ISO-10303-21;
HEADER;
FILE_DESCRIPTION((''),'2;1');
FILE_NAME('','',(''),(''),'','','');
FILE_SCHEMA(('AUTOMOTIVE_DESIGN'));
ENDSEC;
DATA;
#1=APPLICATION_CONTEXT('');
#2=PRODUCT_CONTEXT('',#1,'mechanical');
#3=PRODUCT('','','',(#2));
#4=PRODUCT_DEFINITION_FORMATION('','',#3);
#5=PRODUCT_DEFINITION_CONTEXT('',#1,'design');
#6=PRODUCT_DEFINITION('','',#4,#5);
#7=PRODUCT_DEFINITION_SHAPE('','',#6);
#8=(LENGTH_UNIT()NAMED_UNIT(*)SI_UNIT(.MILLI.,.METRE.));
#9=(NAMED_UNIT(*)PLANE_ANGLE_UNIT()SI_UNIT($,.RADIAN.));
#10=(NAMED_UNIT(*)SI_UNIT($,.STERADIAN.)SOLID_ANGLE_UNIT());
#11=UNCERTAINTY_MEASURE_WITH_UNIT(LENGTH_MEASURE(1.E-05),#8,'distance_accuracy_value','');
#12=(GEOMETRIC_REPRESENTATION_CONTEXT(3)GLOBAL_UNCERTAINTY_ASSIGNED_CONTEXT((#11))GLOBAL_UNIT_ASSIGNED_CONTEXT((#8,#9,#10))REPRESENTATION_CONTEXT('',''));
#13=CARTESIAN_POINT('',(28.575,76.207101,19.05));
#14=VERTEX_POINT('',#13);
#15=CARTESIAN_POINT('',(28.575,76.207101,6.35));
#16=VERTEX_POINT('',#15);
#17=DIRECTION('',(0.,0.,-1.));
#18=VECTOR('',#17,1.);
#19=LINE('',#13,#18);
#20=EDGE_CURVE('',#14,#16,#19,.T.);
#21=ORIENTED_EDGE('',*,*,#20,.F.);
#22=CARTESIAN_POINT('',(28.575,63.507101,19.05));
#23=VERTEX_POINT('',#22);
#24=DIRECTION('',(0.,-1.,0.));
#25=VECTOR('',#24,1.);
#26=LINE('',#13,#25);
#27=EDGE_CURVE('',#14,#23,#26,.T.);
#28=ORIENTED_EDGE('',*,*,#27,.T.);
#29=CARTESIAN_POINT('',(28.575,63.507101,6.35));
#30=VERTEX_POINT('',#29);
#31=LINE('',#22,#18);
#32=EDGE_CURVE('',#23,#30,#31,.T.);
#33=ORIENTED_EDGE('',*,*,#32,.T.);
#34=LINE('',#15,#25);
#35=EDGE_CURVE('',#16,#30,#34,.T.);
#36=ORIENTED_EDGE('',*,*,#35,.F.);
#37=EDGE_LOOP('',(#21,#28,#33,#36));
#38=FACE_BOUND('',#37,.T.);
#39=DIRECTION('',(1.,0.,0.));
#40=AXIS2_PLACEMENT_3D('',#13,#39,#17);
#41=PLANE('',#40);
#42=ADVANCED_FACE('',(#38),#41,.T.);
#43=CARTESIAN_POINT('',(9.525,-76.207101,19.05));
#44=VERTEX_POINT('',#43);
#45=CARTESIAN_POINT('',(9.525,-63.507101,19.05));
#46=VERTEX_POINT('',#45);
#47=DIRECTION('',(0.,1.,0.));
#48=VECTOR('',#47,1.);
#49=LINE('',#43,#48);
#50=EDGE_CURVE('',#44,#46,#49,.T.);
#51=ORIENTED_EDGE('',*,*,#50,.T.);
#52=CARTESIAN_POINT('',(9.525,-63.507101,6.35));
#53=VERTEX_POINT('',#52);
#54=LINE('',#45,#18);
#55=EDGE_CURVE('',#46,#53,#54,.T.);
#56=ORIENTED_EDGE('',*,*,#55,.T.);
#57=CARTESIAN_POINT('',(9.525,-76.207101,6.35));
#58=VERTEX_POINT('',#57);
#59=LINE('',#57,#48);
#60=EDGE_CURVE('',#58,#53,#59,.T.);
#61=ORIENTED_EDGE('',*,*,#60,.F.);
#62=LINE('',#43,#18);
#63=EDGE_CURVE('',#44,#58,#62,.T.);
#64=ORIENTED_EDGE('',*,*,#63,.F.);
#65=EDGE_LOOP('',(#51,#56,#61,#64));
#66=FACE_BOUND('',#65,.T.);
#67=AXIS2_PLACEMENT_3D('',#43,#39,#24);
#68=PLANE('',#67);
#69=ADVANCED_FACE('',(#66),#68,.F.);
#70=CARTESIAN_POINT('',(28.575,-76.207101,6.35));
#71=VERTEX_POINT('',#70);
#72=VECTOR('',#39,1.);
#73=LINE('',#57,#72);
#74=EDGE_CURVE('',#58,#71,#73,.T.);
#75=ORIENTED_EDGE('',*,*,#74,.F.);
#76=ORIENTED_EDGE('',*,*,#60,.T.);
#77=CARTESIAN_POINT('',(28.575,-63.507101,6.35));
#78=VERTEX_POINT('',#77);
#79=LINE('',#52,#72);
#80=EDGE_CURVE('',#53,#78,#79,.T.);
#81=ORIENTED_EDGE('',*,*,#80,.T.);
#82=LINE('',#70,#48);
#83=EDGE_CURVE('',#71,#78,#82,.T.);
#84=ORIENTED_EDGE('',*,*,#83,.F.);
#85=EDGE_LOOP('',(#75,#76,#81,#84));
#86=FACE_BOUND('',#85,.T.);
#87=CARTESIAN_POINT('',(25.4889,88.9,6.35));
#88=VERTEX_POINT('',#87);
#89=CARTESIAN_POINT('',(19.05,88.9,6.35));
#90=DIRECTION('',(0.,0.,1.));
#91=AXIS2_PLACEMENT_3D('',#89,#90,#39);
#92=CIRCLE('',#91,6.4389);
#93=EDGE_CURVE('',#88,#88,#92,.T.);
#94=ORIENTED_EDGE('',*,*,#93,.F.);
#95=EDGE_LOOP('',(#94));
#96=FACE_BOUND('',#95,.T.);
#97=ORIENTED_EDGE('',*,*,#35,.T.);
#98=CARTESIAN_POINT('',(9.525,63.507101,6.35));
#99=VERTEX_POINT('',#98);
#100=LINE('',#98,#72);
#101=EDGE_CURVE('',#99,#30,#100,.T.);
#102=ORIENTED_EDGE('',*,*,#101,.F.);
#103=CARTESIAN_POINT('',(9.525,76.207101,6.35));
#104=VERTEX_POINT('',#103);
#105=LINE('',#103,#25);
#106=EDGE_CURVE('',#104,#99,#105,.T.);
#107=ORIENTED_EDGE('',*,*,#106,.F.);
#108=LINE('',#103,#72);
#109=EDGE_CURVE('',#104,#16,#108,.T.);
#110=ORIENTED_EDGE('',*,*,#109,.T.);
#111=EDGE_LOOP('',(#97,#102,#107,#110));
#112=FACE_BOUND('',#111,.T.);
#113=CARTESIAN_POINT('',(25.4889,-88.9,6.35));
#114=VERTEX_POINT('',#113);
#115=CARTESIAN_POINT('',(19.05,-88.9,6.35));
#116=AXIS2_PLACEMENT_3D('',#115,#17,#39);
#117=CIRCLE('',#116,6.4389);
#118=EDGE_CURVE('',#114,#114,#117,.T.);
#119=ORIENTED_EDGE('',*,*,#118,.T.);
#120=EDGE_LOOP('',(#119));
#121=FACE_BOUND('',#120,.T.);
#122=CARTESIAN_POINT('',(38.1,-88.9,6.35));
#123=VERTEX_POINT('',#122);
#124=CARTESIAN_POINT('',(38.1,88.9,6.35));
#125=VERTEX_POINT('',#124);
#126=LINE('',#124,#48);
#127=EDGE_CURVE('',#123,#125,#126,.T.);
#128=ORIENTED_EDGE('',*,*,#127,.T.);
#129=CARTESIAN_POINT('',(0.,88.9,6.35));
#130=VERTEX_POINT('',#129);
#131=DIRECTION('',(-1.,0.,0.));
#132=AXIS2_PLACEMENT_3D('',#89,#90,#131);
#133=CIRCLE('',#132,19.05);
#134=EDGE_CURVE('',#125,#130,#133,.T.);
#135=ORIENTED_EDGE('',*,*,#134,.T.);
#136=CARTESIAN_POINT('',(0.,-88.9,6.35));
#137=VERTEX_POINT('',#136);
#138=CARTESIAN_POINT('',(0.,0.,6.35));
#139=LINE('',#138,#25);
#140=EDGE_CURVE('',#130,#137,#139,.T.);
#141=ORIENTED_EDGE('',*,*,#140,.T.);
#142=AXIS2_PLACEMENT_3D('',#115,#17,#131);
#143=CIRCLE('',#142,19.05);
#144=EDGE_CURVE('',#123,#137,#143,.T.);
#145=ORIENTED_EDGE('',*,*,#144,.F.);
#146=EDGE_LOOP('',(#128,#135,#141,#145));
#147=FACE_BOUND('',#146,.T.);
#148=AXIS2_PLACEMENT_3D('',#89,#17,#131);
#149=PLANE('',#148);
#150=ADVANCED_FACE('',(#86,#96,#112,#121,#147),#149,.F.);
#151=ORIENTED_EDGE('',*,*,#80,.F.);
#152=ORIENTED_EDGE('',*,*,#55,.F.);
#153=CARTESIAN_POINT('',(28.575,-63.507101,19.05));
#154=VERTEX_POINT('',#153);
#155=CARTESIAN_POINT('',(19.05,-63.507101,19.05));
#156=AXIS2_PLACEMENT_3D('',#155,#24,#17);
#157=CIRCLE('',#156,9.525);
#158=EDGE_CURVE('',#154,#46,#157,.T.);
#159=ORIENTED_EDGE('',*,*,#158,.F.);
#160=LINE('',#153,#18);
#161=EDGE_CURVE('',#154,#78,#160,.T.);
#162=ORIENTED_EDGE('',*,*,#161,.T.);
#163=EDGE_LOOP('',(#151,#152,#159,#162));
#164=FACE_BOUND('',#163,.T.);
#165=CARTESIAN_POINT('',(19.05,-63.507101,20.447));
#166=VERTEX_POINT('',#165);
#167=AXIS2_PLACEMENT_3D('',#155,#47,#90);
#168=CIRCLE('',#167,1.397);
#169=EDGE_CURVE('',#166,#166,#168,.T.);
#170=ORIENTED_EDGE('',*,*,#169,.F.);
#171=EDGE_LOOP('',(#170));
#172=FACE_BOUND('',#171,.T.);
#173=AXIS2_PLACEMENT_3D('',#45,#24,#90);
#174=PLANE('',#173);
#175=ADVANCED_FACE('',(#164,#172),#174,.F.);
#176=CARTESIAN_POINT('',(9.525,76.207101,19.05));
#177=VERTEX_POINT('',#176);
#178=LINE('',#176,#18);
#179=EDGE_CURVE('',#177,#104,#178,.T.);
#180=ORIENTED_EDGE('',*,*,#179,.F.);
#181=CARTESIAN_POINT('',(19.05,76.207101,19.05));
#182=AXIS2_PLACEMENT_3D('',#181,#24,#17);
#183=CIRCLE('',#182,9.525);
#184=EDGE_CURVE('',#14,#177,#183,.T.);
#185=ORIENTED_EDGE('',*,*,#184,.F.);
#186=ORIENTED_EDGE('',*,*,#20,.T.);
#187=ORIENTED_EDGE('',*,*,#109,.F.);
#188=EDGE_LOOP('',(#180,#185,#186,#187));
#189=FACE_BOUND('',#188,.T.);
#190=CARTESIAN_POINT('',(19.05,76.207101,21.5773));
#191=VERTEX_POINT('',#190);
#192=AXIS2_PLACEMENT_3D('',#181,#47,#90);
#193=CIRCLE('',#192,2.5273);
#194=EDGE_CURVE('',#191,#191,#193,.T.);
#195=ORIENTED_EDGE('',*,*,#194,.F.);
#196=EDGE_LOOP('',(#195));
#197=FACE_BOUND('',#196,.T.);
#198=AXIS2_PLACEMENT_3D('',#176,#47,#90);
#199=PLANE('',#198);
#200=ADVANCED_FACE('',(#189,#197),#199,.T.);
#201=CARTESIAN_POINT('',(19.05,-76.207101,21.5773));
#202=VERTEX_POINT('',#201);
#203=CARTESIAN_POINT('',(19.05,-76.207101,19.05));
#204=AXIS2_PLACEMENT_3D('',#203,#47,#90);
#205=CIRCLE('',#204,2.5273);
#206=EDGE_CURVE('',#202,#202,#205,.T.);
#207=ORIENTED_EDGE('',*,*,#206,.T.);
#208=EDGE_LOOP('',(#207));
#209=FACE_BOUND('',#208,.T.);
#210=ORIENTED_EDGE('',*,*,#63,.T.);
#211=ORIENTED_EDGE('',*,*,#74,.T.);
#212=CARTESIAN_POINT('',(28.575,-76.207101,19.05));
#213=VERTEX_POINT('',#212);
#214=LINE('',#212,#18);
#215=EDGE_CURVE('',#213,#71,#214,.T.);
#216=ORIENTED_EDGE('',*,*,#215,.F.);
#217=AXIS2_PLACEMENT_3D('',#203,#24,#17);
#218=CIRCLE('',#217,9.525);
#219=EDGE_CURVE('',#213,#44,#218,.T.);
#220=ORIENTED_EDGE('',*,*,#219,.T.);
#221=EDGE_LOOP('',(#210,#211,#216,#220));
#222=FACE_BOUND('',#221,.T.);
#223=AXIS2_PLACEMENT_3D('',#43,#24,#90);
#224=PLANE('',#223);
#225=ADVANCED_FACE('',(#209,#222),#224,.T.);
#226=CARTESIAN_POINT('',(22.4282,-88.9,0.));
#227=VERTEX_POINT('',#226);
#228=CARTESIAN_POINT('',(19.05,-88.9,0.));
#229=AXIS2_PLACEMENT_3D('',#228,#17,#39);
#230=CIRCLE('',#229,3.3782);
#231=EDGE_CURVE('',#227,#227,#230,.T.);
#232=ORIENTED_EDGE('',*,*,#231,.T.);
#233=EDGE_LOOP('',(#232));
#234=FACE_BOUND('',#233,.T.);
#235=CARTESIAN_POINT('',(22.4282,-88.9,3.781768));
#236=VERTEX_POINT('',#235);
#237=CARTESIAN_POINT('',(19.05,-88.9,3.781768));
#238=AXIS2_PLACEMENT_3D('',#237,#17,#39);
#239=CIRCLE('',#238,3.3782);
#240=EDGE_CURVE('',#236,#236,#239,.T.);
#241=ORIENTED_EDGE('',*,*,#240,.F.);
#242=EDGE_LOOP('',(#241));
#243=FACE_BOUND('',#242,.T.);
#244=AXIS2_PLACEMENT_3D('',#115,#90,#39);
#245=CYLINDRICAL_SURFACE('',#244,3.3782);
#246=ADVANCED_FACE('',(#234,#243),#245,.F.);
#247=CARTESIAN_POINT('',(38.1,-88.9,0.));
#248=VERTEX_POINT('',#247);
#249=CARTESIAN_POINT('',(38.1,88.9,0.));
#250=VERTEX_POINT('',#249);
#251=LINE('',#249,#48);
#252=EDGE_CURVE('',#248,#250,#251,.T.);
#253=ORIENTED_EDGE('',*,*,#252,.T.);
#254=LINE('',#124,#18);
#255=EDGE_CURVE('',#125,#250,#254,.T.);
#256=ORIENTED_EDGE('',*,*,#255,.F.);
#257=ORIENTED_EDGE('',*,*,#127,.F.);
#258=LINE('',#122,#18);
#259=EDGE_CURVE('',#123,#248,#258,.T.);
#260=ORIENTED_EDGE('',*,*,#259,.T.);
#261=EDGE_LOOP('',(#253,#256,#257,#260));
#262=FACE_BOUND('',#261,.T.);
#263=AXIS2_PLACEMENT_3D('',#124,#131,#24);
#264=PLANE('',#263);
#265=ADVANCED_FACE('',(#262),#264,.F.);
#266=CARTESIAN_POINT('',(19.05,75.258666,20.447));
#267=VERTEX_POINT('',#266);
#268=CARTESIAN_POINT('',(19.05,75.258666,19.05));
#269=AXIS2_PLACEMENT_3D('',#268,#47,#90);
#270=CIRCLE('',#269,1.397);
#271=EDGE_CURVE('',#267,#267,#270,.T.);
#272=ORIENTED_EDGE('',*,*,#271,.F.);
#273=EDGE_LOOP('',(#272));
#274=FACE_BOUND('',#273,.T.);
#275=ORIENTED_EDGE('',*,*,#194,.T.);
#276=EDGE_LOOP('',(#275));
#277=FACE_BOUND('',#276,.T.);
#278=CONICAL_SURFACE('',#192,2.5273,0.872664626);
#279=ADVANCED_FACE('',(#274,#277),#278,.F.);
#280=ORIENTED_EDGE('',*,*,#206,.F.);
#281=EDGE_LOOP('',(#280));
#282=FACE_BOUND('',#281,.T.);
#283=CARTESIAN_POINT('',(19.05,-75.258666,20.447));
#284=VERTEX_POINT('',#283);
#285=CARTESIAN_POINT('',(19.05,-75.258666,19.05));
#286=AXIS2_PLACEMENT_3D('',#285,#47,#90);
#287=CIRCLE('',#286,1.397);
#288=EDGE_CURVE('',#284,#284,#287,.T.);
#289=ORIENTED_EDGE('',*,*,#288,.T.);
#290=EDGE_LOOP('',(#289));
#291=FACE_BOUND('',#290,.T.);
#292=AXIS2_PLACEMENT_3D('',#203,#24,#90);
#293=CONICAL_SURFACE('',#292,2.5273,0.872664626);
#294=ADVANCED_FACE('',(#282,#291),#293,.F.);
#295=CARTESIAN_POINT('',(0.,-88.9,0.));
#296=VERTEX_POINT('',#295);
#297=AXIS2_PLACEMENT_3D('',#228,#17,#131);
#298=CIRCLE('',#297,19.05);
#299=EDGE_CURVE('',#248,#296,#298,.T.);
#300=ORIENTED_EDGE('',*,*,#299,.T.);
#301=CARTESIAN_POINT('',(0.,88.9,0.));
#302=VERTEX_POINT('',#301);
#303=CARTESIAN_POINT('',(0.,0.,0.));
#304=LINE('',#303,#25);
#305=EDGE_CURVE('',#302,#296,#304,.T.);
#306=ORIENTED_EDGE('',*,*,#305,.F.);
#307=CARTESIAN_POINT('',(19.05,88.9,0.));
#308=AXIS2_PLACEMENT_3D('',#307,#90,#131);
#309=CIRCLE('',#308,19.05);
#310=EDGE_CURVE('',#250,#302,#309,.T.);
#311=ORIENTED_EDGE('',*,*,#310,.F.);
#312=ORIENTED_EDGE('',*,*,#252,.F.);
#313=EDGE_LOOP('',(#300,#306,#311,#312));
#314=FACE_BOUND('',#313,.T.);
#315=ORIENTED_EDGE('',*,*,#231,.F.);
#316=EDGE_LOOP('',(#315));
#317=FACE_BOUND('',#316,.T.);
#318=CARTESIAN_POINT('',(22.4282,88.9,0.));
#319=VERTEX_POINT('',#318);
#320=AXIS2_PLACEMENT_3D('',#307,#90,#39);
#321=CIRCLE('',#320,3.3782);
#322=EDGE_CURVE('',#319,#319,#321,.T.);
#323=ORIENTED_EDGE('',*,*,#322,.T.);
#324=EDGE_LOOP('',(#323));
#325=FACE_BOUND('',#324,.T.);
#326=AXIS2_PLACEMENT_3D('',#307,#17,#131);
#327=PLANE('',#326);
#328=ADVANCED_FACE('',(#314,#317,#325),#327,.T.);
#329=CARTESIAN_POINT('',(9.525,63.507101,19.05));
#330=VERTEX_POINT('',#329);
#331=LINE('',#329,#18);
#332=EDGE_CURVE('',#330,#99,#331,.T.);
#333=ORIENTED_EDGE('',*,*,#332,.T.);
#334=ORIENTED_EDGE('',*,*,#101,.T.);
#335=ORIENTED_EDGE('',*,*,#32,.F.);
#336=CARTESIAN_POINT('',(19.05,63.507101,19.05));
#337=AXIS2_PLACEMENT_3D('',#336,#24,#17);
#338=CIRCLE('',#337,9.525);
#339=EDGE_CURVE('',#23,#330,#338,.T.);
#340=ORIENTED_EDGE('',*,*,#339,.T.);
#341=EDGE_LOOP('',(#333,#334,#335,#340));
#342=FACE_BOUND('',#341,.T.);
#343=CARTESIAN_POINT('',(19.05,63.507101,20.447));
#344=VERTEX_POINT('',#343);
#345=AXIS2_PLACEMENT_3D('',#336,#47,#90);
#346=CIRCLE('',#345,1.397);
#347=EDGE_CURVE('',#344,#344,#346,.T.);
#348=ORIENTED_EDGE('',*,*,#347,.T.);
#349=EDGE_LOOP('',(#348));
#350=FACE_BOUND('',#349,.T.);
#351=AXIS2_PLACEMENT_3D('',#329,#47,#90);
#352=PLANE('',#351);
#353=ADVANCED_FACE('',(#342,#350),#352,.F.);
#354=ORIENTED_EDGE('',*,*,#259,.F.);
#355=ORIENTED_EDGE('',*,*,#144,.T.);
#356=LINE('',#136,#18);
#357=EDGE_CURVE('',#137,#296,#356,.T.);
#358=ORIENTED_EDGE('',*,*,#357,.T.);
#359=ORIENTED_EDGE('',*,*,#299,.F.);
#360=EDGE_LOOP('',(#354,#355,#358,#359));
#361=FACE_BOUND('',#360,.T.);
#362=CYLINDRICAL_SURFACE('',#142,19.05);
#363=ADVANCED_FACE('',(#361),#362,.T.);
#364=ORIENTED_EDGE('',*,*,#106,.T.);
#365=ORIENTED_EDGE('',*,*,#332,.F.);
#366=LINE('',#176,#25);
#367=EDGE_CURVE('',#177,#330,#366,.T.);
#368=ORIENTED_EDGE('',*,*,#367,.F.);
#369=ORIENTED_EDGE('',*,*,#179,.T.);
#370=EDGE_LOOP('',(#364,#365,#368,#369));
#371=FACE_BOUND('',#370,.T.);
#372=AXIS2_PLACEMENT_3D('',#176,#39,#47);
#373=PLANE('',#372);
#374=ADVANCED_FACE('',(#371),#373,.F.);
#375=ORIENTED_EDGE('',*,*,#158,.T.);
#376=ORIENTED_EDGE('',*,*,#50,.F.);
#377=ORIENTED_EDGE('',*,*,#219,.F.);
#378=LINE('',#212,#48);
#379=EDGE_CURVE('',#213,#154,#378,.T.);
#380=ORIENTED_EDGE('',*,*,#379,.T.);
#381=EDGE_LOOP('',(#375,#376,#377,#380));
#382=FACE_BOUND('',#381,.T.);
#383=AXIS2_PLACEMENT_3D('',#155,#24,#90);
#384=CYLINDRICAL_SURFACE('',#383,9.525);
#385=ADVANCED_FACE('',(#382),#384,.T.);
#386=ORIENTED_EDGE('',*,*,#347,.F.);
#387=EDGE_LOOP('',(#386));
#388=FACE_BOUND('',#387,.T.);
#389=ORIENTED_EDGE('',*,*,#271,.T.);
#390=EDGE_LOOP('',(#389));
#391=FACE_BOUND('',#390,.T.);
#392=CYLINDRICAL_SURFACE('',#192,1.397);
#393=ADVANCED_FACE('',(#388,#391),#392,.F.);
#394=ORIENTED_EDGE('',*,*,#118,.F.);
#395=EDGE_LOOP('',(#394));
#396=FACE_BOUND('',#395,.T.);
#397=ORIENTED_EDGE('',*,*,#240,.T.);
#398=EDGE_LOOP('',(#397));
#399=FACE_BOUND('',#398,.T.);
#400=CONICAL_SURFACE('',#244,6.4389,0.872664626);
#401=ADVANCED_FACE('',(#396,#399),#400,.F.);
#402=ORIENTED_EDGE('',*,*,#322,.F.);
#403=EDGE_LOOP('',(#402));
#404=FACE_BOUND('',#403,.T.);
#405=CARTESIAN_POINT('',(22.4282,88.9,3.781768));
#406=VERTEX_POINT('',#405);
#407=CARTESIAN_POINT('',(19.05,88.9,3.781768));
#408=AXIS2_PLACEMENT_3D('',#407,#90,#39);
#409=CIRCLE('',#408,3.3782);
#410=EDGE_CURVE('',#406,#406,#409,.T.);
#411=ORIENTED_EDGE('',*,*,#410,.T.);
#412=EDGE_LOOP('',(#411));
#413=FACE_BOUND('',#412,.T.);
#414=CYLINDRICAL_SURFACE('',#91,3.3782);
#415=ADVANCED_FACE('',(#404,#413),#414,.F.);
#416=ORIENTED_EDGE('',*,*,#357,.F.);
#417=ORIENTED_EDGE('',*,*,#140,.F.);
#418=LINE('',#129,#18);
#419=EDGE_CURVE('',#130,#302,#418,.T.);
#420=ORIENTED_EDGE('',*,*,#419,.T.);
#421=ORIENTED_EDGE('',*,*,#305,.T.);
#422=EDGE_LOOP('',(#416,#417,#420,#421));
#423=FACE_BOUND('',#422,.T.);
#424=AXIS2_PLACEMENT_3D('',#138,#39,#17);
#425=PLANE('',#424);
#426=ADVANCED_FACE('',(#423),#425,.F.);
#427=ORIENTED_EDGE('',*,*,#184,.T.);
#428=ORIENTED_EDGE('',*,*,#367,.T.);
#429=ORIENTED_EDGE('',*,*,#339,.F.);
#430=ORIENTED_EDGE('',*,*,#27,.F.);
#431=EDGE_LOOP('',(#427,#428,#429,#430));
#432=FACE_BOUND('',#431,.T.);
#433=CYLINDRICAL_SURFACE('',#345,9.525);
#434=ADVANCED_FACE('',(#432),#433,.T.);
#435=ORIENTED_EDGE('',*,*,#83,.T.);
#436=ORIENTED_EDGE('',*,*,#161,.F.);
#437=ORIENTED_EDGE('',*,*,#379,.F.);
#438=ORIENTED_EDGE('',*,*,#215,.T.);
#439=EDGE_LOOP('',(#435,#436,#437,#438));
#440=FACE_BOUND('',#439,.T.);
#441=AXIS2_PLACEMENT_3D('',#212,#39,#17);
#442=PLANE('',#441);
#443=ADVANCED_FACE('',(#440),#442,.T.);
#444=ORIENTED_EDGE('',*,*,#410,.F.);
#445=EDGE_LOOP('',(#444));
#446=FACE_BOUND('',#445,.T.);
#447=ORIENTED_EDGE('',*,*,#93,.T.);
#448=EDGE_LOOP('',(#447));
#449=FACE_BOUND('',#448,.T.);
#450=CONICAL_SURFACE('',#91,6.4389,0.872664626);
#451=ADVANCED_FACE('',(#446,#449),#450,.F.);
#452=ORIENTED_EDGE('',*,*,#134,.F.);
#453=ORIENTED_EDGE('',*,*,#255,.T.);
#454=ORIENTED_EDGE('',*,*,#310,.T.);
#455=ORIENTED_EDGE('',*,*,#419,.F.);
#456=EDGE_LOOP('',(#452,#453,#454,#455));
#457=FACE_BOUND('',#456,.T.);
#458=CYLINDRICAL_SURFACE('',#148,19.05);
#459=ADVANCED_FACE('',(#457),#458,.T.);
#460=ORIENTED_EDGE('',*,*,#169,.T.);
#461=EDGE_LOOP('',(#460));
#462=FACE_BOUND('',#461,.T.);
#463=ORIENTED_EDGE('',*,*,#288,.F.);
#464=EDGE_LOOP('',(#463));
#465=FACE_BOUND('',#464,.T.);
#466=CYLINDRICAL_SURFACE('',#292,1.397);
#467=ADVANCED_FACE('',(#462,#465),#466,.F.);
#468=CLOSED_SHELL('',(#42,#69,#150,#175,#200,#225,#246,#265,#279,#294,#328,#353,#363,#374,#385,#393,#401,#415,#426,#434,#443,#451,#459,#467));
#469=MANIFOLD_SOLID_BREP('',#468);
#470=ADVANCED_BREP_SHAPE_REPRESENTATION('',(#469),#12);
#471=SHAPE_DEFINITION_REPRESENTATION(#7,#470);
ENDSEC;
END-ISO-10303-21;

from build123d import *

# Parameters (mm, degrees)
BOSS_EXTRUDE1_DEPTH                                 = 6.35
CSK_FOR_1_4_FLAT_HEAD_MACHINE_SCREW_100_D           = 6.7564
CSK_FOR_1_4_FLAT_HEAD_MACHINE_SCREW_100_CSINK_D     = 12.8778
CSK_FOR_1_4_FLAT_HEAD_MACHINE_SCREW_100_CSINK_ANGLE = 100
SKETCH8_W                                           = 19.05
SKETCH8_H                                           = 12.7
BOSS_EXTRUDE2_DEPTH                                 = 12.7
BOSS_EXTRUDE4_DEPTH                                 = 12.7
CSK_FOR_3_FLAT_HEAD_MACHINE_SCREW_100_D             = 2.794
CSK_FOR_3_FLAT_HEAD_MACHINE_SCREW_100_CSINK_D       = 5.0546
CSK_FOR_3_FLAT_HEAD_MACHINE_SCREW_100_CSINK_ANGLE   = 100


with BuildPart() as part:
    # Sketch2 → Boss-Extrude1 (new body)
    with BuildSketch(Plane.XY):
        with BuildLine():
            Line((0, 0), (0, 88.9))
            ThreePointArc((0, 88.9), (19.05, 107.95), (38.1, 88.9))
            Line((38.1, 88.9), (38.1, 0))
            Line((38.1, 0), (0, 0))
        make_face()
    extrude(amount=BOSS_EXTRUDE1_DEPTH)

    # CSK for 1/4 Flat Head Machine Screw (100)2 (through all)
    with Locations(Plane.XY.offset(6.35)):
        with Locations((19.05, 88.9)):
            CounterSinkHole(CSK_FOR_1_4_FLAT_HEAD_MACHINE_SCREW_100_D / 2, CSK_FOR_1_4_FLAT_HEAD_MACHINE_SCREW_100_CSINK_D / 2, counter_sink_angle=CSK_FOR_1_4_FLAT_HEAD_MACHINE_SCREW_100_CSINK_ANGLE)

    # Sketch8 → Boss-Extrude2 (add)
    with BuildSketch(Plane.XY.offset(6.35)):
        with Locations((19.05, 69.857100744)):
            Rectangle(SKETCH8_W, SKETCH8_H)
    extrude(amount=BOSS_EXTRUDE2_DEPTH)

    # Sketch10 → Boss-Extrude4 (add)
    with BuildSketch(Plane(origin=(0, 76.207100744, 0), x_dir=(1, 0, 0), z_dir=(0, 1, 0))):
        with BuildLine():
            Line((9.525, -19.05), (28.575, -19.05))
            ThreePointArc((28.575, -19.05), (19.05, -28.575), (9.525, -19.05))
        make_face()
    extrude(amount=-BOSS_EXTRUDE4_DEPTH)

    # CSK for #3 Flat Head Machine Screw (100)1 (through all)
    with Locations(Plane(origin=(0, 76.207100744, 0), x_dir=(1, 0, 0), z_dir=(0, 1, 0))):
        with Locations((19.05, -19.05)):
            CounterSinkHole(CSK_FOR_3_FLAT_HEAD_MACHINE_SCREW_100_D / 2, CSK_FOR_3_FLAT_HEAD_MACHINE_SCREW_100_CSINK_D / 2, counter_sink_angle=CSK_FOR_3_FLAT_HEAD_MACHINE_SCREW_100_CSINK_ANGLE)

    # Mirror1: part across plane


with BuildPart() as part_1:
    add(part.part)
    add(part.part.mirror(Plane(origin=(38.1, 0, 6.35), x_dir=(0, 0, 1), z_dir=(0, 1, 0))))


solid = part_1.part
